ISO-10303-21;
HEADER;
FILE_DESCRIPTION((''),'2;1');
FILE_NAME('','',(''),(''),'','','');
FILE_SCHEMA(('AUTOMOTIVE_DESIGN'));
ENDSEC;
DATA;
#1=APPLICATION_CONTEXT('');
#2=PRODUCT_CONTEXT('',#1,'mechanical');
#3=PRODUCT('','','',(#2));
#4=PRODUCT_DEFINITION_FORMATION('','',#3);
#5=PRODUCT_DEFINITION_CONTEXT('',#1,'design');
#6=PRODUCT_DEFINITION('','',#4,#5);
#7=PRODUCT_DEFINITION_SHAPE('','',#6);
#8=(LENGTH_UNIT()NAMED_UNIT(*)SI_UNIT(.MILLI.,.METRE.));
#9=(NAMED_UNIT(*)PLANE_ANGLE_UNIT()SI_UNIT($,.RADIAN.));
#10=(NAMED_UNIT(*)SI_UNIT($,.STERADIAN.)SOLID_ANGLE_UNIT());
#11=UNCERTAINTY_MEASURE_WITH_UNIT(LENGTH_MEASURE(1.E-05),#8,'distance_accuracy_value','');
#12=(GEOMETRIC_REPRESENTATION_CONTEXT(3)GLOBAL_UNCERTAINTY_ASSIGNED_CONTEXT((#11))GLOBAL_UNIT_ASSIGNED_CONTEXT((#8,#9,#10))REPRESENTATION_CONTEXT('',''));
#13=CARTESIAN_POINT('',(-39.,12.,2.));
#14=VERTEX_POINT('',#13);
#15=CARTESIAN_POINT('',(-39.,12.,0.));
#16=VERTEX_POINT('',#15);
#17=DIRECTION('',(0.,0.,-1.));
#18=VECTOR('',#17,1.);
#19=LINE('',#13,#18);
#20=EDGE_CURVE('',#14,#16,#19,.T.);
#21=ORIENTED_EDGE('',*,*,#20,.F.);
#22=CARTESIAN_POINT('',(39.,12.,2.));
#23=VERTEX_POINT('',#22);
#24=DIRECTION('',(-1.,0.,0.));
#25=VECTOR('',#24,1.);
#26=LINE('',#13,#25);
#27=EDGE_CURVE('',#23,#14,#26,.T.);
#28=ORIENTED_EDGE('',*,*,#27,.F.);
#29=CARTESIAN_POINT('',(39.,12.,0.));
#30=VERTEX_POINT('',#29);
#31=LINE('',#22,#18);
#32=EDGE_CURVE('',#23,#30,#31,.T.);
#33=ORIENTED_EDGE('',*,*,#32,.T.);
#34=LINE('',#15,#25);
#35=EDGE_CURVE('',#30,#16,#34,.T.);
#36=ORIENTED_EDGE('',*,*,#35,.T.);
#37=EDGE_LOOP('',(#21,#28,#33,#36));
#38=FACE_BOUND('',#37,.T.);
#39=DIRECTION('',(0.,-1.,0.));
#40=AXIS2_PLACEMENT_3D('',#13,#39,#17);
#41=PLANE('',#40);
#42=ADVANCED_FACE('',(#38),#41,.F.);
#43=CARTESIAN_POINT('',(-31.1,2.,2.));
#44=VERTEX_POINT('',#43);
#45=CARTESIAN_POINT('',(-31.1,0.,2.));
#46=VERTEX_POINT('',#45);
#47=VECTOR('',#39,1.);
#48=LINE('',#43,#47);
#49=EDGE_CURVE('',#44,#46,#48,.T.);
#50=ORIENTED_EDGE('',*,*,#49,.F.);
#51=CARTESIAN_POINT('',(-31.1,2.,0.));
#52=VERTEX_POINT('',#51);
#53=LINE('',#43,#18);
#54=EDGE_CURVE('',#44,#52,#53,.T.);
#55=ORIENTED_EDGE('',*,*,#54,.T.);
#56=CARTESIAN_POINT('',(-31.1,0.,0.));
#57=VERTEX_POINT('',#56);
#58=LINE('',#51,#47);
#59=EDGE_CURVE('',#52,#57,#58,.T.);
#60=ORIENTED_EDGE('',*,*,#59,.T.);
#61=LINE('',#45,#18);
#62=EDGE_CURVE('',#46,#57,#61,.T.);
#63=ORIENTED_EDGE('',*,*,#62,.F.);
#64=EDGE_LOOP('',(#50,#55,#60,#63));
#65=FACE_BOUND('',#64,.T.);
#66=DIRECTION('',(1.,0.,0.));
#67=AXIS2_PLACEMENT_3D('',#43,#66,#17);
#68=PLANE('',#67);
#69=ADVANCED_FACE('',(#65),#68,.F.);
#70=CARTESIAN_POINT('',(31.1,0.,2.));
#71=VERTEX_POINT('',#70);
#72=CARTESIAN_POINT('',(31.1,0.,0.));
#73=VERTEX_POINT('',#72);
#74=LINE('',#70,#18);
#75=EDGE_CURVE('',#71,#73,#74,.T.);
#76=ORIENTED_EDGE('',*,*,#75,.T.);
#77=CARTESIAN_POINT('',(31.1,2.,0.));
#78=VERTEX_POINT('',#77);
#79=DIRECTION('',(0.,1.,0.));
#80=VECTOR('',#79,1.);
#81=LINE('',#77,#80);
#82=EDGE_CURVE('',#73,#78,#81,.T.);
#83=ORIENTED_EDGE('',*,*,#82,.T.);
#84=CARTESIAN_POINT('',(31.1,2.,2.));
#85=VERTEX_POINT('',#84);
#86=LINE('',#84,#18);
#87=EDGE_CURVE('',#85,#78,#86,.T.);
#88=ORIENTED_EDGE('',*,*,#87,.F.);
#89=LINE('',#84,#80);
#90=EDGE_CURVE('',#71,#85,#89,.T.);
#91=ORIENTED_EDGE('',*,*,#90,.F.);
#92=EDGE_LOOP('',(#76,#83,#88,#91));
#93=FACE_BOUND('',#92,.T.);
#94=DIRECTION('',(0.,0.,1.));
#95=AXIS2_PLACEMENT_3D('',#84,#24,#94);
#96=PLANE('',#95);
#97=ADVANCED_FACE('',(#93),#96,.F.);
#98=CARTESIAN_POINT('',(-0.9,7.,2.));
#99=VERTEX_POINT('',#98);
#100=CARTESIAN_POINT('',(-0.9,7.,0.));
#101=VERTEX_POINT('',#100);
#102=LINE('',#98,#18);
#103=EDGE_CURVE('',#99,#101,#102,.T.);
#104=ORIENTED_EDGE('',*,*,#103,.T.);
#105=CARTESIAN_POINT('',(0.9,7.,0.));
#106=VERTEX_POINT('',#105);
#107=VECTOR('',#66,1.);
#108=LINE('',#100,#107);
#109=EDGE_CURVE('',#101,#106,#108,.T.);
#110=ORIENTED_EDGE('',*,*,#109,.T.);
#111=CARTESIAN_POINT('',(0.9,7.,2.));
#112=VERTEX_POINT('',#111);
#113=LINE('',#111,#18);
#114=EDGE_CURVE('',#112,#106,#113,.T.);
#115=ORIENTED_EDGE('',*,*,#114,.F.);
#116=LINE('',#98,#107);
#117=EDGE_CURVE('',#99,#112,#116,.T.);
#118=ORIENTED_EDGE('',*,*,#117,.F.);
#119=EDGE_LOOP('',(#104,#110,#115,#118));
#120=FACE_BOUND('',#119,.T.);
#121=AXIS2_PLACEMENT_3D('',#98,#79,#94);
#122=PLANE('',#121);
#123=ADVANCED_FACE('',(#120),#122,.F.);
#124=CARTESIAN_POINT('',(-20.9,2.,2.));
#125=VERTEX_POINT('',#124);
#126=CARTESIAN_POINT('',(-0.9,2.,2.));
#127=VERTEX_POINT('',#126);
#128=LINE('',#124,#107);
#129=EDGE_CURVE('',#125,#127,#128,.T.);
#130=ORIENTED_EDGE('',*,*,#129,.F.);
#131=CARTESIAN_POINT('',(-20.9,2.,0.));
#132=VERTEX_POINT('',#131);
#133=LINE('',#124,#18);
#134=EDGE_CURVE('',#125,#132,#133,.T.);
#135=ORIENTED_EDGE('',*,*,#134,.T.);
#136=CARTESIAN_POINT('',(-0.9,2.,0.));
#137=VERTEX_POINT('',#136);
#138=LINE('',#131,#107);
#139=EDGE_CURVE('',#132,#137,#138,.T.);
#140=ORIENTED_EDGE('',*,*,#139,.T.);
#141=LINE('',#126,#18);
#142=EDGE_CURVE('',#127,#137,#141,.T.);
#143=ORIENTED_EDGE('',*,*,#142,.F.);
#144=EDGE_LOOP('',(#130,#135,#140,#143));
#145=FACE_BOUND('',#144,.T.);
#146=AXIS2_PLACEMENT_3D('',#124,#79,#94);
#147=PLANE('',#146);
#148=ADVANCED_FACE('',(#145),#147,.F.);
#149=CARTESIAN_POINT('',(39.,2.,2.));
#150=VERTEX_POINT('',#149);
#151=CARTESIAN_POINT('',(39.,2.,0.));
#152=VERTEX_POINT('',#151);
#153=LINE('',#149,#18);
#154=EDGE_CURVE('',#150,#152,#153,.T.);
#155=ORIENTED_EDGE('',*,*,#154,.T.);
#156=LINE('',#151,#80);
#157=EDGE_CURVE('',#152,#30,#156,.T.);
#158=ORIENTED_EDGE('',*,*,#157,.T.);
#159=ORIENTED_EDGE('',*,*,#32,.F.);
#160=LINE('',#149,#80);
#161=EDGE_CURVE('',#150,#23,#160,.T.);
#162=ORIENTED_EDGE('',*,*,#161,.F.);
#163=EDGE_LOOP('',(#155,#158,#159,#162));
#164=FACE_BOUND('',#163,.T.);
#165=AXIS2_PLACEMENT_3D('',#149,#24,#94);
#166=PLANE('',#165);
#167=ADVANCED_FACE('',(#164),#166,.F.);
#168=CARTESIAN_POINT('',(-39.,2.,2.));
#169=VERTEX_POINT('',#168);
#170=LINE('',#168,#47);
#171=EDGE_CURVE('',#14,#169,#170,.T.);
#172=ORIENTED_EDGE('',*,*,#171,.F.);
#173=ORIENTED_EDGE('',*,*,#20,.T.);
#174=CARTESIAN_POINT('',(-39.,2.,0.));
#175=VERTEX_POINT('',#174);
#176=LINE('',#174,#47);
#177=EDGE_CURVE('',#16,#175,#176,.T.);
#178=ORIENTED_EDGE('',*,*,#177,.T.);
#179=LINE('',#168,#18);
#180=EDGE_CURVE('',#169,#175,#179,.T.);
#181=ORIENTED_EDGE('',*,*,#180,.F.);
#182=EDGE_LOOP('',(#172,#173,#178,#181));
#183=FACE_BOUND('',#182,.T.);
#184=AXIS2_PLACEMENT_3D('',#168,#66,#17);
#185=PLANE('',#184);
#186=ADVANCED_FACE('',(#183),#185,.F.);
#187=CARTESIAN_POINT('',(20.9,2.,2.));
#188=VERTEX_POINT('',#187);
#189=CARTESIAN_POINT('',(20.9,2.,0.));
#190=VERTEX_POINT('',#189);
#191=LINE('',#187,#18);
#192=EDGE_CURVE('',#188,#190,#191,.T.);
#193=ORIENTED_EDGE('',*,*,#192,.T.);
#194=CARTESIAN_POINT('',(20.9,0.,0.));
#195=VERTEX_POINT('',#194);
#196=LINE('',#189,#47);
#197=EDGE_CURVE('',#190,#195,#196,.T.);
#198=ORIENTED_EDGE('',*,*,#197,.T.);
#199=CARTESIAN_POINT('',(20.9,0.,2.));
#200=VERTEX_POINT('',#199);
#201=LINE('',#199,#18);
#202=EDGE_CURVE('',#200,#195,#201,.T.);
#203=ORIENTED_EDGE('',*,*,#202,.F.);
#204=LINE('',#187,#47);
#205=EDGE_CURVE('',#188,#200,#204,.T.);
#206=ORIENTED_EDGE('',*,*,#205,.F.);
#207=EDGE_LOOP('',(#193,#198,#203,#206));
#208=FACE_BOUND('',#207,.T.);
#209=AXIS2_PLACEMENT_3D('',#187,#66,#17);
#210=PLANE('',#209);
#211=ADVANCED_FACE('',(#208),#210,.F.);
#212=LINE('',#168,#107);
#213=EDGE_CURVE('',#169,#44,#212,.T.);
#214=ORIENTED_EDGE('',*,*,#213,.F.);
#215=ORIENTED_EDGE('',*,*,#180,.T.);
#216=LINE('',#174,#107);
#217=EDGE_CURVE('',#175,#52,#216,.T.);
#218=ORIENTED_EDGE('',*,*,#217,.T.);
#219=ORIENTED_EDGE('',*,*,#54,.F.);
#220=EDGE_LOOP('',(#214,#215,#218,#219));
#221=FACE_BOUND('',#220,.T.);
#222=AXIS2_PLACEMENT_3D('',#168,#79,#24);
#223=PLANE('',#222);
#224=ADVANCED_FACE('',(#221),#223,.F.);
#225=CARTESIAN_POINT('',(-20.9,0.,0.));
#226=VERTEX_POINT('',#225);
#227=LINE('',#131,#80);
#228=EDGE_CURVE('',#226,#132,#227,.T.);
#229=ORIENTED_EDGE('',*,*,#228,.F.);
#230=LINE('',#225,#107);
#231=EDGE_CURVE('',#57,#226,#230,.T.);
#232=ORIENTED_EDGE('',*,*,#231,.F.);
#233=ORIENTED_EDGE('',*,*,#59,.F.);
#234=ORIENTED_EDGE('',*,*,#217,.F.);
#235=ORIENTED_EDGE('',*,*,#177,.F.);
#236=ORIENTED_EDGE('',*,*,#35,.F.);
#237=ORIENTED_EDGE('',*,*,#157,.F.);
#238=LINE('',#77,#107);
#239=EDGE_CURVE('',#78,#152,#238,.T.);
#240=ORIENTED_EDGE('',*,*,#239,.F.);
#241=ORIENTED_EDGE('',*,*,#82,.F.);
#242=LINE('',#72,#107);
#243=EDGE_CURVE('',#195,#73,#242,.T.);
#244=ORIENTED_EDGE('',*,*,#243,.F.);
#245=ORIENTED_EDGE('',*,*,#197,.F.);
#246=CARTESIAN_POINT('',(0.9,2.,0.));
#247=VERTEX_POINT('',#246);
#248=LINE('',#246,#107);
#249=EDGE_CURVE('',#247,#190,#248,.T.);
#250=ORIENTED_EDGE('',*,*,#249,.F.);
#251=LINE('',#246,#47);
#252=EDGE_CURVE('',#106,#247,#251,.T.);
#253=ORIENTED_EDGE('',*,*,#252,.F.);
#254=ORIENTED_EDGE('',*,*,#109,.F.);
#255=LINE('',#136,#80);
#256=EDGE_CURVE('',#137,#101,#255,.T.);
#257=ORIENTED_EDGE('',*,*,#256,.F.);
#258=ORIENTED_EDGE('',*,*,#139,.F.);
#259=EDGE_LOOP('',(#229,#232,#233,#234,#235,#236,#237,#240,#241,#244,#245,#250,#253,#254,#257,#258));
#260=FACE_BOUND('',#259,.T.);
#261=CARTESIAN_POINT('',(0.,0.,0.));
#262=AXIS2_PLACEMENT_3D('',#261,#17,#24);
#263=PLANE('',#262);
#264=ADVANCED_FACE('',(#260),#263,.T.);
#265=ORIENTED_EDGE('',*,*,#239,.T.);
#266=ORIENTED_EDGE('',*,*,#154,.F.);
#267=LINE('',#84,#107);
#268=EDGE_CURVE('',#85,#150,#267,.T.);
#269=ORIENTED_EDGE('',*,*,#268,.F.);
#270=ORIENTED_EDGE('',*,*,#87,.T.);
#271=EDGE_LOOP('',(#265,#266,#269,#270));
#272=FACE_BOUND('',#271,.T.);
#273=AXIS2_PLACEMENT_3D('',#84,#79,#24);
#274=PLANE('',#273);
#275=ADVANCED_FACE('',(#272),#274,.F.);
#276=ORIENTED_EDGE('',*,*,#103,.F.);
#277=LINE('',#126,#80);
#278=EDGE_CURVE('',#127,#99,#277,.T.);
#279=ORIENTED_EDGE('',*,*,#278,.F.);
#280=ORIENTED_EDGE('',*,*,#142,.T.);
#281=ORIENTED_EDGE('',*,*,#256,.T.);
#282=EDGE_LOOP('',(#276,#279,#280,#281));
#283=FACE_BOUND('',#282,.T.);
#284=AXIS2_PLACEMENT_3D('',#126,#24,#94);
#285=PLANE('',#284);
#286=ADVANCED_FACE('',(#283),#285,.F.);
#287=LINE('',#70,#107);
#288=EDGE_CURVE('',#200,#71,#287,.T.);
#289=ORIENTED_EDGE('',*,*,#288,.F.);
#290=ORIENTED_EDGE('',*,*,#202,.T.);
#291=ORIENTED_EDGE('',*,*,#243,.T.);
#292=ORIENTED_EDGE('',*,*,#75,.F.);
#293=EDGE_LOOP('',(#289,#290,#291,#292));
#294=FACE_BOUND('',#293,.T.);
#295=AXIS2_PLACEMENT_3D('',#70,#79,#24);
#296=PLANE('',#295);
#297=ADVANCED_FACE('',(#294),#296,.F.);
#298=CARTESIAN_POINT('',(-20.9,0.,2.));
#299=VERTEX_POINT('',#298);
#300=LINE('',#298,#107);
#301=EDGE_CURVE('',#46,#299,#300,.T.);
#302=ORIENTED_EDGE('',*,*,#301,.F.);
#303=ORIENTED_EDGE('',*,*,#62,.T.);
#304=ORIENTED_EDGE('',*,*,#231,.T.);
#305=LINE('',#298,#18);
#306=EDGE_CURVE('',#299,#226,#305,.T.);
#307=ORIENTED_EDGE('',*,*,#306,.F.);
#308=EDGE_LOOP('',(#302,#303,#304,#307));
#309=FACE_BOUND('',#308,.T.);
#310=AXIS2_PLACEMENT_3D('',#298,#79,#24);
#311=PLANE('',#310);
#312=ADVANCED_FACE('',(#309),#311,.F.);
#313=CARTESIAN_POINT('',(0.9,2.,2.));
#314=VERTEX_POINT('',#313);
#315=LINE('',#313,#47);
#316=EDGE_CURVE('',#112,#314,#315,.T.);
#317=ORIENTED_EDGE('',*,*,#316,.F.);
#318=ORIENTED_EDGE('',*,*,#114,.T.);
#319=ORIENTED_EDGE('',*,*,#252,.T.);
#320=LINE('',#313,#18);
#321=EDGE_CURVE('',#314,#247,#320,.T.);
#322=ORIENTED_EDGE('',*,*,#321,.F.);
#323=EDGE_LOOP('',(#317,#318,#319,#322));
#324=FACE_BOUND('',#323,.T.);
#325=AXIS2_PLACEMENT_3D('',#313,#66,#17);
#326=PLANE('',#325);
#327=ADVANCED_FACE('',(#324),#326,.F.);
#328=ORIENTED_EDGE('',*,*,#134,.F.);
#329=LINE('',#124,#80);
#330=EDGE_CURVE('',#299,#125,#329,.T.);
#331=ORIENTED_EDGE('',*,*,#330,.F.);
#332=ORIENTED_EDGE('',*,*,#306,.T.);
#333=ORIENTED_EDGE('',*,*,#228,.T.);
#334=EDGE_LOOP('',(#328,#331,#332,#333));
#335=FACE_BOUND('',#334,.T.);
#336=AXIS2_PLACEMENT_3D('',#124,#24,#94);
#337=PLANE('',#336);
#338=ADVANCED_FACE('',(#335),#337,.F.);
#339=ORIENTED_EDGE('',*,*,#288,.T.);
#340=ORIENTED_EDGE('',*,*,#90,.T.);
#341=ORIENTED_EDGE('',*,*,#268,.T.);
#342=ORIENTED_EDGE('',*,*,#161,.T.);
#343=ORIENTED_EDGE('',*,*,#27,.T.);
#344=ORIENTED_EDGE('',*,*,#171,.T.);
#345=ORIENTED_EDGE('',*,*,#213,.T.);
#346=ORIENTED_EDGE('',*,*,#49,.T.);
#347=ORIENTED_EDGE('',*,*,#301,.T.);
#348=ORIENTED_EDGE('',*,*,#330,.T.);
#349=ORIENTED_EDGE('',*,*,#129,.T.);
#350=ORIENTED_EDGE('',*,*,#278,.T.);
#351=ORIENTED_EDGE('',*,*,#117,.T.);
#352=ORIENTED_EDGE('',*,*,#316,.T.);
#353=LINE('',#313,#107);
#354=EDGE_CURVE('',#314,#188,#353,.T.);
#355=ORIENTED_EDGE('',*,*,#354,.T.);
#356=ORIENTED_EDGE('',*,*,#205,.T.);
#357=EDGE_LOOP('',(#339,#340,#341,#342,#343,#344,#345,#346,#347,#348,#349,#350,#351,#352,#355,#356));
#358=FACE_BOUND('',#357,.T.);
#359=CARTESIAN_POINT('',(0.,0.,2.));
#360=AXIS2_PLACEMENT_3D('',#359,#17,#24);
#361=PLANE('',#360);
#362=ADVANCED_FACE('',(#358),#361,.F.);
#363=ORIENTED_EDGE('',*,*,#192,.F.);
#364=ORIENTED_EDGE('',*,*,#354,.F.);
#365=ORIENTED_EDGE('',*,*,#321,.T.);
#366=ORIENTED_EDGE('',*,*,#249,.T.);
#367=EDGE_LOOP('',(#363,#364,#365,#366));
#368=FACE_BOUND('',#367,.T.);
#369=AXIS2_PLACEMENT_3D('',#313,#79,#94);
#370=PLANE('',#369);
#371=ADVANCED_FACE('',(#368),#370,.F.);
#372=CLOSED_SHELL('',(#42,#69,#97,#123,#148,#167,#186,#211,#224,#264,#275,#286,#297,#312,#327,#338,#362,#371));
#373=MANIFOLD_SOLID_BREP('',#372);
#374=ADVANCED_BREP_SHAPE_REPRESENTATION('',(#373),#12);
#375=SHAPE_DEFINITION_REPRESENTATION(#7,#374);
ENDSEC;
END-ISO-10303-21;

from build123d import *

# Parameters (mm, degrees)
EXTRUDE_1_DEPTH = 2


with BuildPart() as part:
    # 草圖1 → 填料-伸長1 (new body)
    with BuildSketch(Plane.XY):
        Polygon((-39, 2), (-31.1, 2), (-31.1, 0), (-20.9, 0), (-20.9, 2), (-0.9, 2), (-0.9, 7), (0.9, 7), (0.9, 2), (20.9, 2), (20.9, 0), (31.1, 0), (31.1, 2), (39, 2), (39, 12), (-39, 12), align=None)
    extrude(amount=EXTRUDE_1_DEPTH)


solid = part.part
